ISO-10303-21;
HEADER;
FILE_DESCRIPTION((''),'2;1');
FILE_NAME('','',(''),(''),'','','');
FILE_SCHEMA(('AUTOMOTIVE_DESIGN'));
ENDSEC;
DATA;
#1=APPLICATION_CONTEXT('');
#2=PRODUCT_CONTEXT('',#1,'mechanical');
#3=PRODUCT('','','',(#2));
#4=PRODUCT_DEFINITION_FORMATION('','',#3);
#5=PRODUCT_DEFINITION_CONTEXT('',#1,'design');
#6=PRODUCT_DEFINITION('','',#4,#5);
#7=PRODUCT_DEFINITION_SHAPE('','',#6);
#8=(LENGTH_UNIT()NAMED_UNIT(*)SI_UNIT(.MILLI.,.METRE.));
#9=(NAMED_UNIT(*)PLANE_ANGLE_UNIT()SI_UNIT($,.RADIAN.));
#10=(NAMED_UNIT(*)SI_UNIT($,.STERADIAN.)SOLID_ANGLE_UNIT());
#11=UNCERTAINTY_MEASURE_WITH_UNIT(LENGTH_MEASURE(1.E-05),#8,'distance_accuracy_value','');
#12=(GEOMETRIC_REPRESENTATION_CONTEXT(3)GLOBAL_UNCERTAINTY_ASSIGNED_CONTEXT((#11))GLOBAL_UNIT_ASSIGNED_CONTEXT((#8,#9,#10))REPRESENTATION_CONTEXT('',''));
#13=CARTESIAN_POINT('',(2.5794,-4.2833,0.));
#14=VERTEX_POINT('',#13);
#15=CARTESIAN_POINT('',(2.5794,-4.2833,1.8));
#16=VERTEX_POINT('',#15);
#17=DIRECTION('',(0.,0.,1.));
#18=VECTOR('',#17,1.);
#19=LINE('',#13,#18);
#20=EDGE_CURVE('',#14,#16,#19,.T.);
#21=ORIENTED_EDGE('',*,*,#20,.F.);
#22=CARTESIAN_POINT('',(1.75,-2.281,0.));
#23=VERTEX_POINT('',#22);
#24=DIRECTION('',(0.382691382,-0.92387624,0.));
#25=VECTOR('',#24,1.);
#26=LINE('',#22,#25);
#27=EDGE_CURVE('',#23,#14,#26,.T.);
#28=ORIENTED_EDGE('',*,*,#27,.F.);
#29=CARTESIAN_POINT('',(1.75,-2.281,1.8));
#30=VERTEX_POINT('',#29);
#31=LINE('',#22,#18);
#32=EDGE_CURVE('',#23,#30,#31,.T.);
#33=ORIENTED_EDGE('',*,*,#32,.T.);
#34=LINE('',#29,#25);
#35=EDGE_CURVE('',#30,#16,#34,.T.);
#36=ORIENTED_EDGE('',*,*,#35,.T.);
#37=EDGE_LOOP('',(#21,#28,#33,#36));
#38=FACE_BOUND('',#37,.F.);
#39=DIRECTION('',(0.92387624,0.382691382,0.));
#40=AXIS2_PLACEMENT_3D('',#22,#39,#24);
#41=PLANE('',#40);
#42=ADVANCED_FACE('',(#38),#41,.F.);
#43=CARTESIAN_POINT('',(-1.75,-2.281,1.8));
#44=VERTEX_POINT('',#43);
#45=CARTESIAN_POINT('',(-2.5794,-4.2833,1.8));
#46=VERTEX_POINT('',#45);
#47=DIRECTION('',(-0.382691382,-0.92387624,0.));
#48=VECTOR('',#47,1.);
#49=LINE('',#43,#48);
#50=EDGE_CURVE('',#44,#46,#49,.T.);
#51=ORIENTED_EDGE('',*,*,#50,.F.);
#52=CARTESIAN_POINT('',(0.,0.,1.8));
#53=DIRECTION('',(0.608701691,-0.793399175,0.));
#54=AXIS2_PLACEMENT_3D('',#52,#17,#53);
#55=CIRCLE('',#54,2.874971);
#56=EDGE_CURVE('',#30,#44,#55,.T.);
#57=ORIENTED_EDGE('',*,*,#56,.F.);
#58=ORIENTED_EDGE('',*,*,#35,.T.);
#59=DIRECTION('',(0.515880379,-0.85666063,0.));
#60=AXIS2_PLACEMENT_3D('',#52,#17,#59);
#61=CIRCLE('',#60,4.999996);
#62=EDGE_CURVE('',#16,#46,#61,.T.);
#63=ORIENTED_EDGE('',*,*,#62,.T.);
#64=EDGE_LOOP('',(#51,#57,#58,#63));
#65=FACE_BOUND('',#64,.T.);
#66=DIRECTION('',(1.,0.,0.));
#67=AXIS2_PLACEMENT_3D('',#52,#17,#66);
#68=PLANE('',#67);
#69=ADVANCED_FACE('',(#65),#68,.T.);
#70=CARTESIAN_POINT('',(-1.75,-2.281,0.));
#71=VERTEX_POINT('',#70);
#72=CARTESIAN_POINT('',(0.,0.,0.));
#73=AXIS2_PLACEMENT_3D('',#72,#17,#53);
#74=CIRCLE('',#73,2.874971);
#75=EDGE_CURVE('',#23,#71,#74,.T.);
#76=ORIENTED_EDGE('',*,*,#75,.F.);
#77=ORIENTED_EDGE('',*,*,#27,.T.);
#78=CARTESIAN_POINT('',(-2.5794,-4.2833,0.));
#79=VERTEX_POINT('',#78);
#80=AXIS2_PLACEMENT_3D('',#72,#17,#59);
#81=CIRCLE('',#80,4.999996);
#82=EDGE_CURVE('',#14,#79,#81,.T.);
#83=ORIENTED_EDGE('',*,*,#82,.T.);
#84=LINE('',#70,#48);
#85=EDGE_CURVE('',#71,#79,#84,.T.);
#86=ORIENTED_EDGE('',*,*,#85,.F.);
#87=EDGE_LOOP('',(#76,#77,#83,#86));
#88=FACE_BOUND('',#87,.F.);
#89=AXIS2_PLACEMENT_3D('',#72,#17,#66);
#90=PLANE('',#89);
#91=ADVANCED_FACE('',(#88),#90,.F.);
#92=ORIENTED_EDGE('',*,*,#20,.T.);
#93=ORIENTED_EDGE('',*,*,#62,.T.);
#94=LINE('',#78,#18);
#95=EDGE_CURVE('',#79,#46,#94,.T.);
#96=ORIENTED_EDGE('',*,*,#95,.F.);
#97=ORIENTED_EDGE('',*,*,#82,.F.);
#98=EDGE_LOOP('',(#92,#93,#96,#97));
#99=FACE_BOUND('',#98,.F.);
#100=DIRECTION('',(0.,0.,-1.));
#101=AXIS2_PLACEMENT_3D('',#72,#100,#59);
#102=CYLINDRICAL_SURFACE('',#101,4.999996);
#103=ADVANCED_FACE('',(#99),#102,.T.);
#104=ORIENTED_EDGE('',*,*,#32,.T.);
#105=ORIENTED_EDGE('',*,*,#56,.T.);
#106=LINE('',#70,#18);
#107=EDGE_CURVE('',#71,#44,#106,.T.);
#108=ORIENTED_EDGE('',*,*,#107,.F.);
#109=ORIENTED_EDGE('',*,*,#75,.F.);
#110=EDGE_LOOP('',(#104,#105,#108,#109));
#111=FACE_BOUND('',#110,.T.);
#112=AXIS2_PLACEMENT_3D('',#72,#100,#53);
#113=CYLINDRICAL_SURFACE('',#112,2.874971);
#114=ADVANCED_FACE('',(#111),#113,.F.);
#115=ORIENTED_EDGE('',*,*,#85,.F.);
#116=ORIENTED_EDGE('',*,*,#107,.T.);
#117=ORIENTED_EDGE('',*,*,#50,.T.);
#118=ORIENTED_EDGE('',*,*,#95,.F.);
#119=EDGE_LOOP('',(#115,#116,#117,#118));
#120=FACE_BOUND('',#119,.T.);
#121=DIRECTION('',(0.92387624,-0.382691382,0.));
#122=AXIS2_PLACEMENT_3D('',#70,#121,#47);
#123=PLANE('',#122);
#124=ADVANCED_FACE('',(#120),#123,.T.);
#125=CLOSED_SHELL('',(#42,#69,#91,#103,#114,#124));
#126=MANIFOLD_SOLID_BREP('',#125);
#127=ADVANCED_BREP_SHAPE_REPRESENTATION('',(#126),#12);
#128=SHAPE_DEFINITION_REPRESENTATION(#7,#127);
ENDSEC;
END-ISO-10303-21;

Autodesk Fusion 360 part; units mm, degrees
sketch "Sketch1" plane through (0, 0, 0) normal (0, 0, 1) x (1, 0, 0)
  line L0 (-1.75, -2.281) -> (-2.5794, -4.2833)
  line L1 (1.75, -2.281) -> (2.5794, -4.2833)
  line L2 (0, 0) -> (0, -5) construction
  arc A0 (2.5794, -4.2833) -> (-2.5794, -4.2833) centre (0, 0) ccw
  arc A1 (1.75, -2.281) -> (-1.75, -2.281) centre (0, 0) ccw
  dimension "d7" = 5.75
  dimension "d8" = 10
  dimension "d9" = 45
  dimension "d10" = 3.5
extrude "Extrude1" add sketch "Sketch1" along normal blind 1.8
